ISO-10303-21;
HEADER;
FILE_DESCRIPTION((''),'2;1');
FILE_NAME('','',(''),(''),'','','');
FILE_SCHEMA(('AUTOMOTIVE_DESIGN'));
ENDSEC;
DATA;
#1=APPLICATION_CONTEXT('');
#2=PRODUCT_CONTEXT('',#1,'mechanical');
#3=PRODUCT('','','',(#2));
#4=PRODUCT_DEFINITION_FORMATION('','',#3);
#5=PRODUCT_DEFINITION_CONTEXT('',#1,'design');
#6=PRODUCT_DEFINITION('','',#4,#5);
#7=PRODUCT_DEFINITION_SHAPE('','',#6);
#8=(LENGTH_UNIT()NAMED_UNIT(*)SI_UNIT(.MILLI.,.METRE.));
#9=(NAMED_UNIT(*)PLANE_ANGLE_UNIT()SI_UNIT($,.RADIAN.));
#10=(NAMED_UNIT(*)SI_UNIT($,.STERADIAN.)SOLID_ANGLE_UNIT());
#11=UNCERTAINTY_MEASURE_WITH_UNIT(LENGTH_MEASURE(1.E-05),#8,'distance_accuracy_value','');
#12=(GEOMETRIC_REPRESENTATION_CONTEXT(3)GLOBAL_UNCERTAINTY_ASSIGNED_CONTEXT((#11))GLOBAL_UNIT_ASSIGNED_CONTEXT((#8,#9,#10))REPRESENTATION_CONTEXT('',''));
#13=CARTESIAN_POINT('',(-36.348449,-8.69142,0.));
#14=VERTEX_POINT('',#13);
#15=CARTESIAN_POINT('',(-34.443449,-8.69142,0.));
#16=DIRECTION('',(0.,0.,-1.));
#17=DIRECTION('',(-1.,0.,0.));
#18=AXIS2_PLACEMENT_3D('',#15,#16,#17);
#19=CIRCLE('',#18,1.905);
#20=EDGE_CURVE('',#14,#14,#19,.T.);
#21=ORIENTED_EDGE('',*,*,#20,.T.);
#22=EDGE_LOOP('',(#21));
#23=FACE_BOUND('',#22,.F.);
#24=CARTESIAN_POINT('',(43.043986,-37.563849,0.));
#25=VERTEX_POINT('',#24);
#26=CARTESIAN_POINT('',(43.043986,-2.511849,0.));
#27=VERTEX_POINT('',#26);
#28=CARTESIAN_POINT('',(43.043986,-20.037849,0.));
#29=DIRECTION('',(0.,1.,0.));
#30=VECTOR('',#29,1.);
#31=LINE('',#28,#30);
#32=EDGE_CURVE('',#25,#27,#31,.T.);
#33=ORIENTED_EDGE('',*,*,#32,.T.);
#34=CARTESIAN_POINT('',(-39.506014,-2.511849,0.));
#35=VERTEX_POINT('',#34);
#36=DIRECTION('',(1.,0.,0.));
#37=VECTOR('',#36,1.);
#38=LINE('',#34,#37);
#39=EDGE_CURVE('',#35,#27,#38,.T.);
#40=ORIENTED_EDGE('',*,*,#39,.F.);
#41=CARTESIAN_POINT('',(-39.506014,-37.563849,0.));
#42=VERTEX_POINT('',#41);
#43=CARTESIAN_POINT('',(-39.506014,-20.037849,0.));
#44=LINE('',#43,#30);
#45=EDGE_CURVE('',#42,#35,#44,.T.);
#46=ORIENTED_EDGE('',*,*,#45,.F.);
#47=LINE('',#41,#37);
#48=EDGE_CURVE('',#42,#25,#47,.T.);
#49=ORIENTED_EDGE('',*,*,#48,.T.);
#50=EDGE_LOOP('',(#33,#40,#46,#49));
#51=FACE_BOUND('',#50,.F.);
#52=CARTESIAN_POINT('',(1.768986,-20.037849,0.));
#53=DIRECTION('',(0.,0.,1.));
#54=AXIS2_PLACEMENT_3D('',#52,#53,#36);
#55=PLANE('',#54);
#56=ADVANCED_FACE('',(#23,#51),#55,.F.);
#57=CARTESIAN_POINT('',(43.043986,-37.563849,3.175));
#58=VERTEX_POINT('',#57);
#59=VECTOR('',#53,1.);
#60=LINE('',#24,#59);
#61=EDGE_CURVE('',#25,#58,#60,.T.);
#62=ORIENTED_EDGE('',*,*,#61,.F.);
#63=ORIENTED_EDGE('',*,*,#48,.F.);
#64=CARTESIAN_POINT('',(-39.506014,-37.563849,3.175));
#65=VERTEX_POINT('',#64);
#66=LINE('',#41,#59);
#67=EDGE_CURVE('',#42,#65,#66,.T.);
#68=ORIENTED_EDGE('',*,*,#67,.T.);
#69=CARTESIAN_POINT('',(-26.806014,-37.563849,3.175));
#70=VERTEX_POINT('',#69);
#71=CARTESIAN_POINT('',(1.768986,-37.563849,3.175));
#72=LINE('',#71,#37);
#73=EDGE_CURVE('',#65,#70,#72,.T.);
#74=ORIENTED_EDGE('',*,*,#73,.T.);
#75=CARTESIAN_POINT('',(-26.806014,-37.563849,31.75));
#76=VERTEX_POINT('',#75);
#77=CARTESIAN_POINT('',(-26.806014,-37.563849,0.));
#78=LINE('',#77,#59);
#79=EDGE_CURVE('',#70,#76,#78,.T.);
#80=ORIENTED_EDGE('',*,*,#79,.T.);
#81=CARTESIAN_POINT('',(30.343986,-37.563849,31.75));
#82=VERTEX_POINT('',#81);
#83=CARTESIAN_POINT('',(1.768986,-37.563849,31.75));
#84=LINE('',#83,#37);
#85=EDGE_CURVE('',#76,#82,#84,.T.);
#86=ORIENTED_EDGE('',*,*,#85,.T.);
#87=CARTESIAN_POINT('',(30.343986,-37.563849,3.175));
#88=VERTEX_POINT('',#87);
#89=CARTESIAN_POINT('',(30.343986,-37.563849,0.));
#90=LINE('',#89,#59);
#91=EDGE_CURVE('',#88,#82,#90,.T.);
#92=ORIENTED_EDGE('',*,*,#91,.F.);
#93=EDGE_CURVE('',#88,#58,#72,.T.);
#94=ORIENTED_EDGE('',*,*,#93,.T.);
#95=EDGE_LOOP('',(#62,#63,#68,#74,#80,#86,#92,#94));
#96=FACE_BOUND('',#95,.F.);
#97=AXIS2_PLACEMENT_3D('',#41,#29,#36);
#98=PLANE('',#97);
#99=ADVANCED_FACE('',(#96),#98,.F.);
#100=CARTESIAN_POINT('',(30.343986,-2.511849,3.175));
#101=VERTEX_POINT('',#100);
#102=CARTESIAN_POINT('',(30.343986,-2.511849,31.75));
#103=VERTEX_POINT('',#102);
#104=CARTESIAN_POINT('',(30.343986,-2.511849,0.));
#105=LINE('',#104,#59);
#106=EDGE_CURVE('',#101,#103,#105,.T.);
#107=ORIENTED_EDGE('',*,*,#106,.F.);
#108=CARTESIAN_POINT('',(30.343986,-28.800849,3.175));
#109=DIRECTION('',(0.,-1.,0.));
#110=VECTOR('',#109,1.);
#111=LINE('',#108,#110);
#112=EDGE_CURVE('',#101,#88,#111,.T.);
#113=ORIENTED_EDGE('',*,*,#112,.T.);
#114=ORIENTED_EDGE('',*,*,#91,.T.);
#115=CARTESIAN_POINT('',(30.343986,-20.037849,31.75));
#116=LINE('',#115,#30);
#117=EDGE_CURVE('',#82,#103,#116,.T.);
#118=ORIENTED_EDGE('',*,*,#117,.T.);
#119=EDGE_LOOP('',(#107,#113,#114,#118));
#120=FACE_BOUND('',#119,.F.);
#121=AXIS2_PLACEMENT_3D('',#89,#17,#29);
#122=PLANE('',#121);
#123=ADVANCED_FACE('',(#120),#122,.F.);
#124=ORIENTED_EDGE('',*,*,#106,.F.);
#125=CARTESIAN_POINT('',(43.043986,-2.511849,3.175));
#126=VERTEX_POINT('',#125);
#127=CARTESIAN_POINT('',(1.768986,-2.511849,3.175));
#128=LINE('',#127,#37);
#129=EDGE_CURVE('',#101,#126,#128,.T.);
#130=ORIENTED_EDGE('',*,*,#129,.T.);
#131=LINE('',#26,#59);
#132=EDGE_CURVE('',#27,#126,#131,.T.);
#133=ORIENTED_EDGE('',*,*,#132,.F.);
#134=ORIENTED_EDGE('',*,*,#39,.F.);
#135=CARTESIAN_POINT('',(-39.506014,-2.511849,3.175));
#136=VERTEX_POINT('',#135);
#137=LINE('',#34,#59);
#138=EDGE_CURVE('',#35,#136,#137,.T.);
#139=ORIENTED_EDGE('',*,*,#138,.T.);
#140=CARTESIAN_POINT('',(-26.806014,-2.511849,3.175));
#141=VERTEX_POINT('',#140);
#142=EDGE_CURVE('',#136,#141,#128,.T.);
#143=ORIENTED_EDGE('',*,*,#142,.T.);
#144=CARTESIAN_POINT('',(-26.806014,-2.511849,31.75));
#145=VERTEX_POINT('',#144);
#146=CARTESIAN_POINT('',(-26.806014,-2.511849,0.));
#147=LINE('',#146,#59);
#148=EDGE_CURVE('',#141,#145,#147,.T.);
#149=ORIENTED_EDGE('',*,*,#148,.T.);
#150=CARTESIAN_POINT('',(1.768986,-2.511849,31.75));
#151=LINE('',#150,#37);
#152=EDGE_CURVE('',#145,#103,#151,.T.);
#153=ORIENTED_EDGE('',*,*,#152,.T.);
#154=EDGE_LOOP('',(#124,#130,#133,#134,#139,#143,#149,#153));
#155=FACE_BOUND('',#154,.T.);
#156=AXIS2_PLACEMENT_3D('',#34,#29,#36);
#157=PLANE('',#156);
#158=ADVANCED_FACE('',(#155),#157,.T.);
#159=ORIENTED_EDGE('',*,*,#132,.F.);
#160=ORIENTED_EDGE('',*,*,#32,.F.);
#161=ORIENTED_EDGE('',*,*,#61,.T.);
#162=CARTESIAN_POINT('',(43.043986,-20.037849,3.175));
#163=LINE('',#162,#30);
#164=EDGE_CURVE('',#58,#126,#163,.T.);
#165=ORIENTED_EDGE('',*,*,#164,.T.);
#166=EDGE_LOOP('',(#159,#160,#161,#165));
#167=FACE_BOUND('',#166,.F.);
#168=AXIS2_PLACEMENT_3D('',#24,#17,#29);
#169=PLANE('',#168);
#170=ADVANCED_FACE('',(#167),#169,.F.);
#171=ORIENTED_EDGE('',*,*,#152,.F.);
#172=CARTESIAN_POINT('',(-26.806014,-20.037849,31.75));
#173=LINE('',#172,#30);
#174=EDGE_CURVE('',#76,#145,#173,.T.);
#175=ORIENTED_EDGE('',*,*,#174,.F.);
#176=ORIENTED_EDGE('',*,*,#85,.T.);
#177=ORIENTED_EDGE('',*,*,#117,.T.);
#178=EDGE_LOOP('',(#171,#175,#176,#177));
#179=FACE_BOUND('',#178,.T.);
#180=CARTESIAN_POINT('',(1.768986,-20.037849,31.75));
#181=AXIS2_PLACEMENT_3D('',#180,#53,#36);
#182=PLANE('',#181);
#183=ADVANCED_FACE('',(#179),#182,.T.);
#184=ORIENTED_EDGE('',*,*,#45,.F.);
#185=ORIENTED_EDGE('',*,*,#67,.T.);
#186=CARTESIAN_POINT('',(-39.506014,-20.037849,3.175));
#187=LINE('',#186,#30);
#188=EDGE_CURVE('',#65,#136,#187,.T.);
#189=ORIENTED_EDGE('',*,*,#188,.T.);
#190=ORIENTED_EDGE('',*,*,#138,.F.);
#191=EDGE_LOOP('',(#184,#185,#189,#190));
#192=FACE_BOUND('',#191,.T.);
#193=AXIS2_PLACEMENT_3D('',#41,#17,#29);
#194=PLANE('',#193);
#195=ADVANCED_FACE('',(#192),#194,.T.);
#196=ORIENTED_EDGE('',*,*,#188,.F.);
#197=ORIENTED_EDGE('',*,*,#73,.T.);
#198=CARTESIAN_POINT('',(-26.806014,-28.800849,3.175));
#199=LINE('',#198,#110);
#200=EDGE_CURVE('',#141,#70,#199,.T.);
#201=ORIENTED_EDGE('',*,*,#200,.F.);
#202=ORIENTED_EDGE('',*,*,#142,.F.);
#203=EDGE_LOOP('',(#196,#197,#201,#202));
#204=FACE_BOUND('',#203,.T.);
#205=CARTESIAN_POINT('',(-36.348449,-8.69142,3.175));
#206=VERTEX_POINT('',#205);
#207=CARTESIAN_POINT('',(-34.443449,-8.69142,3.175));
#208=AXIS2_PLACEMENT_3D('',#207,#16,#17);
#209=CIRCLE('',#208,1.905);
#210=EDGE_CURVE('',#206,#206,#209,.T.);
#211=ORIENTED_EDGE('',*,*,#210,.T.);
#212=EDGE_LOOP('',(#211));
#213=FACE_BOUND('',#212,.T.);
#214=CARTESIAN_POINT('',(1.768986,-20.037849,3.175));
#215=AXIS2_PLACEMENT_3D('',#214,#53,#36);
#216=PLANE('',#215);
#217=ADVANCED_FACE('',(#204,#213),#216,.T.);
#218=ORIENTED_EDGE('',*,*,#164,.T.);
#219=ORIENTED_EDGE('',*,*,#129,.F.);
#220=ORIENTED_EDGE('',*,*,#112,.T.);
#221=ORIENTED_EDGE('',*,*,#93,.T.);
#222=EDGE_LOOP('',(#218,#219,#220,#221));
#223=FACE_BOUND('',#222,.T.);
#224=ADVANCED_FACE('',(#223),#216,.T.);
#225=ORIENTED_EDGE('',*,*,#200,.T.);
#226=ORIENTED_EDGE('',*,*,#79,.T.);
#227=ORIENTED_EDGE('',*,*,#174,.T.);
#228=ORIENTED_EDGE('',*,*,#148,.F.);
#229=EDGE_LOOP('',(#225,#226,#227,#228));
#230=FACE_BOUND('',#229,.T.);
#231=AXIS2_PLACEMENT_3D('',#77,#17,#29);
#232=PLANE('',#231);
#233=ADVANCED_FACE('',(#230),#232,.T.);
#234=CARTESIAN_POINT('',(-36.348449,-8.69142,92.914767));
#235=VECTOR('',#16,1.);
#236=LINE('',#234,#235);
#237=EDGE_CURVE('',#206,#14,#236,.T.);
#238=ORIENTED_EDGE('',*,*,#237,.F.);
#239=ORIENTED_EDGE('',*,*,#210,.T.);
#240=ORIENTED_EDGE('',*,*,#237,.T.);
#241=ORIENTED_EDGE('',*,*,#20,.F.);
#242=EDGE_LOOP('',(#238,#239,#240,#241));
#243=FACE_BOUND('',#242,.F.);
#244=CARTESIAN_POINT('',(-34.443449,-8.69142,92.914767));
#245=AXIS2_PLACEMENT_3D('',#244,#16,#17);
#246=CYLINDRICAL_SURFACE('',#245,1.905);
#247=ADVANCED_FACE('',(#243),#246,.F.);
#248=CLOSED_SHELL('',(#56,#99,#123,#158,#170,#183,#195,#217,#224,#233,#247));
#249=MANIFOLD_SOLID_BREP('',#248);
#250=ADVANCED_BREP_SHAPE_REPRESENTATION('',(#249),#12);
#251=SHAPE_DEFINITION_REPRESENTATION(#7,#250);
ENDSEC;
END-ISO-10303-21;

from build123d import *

# Parameters (mm, degrees)
F0_W     = 82.55
F0_H     = 35.052
F1_DEPTH = 3.175
F3_D     = 3.81
F4_W     = 57.15
F4_H     = 35.052
F5_DEPTH = 31.75


with BuildPart() as f1:
    # F0 (on Top) → F1 (new body)
    with BuildSketch(Plane.XY):
        with Locations((1.768986, -20.037849)):
            Rectangle(F0_W, F0_H)
    extrude(amount=F1_DEPTH)

    # F3 (through all)
    with Locations(Plane.XY.offset(3.175)):
        with Locations((-34.443449, -8.69142)):
            Hole(F3_D / 2)

    # F4 (on Top) → F5 (join)
    with BuildSketch(Plane.XY):
        with Locations((1.768986, -20.037849)):
            Rectangle(F4_W, F4_H)
    extrude(amount=F5_DEPTH)


solid = f1.part
